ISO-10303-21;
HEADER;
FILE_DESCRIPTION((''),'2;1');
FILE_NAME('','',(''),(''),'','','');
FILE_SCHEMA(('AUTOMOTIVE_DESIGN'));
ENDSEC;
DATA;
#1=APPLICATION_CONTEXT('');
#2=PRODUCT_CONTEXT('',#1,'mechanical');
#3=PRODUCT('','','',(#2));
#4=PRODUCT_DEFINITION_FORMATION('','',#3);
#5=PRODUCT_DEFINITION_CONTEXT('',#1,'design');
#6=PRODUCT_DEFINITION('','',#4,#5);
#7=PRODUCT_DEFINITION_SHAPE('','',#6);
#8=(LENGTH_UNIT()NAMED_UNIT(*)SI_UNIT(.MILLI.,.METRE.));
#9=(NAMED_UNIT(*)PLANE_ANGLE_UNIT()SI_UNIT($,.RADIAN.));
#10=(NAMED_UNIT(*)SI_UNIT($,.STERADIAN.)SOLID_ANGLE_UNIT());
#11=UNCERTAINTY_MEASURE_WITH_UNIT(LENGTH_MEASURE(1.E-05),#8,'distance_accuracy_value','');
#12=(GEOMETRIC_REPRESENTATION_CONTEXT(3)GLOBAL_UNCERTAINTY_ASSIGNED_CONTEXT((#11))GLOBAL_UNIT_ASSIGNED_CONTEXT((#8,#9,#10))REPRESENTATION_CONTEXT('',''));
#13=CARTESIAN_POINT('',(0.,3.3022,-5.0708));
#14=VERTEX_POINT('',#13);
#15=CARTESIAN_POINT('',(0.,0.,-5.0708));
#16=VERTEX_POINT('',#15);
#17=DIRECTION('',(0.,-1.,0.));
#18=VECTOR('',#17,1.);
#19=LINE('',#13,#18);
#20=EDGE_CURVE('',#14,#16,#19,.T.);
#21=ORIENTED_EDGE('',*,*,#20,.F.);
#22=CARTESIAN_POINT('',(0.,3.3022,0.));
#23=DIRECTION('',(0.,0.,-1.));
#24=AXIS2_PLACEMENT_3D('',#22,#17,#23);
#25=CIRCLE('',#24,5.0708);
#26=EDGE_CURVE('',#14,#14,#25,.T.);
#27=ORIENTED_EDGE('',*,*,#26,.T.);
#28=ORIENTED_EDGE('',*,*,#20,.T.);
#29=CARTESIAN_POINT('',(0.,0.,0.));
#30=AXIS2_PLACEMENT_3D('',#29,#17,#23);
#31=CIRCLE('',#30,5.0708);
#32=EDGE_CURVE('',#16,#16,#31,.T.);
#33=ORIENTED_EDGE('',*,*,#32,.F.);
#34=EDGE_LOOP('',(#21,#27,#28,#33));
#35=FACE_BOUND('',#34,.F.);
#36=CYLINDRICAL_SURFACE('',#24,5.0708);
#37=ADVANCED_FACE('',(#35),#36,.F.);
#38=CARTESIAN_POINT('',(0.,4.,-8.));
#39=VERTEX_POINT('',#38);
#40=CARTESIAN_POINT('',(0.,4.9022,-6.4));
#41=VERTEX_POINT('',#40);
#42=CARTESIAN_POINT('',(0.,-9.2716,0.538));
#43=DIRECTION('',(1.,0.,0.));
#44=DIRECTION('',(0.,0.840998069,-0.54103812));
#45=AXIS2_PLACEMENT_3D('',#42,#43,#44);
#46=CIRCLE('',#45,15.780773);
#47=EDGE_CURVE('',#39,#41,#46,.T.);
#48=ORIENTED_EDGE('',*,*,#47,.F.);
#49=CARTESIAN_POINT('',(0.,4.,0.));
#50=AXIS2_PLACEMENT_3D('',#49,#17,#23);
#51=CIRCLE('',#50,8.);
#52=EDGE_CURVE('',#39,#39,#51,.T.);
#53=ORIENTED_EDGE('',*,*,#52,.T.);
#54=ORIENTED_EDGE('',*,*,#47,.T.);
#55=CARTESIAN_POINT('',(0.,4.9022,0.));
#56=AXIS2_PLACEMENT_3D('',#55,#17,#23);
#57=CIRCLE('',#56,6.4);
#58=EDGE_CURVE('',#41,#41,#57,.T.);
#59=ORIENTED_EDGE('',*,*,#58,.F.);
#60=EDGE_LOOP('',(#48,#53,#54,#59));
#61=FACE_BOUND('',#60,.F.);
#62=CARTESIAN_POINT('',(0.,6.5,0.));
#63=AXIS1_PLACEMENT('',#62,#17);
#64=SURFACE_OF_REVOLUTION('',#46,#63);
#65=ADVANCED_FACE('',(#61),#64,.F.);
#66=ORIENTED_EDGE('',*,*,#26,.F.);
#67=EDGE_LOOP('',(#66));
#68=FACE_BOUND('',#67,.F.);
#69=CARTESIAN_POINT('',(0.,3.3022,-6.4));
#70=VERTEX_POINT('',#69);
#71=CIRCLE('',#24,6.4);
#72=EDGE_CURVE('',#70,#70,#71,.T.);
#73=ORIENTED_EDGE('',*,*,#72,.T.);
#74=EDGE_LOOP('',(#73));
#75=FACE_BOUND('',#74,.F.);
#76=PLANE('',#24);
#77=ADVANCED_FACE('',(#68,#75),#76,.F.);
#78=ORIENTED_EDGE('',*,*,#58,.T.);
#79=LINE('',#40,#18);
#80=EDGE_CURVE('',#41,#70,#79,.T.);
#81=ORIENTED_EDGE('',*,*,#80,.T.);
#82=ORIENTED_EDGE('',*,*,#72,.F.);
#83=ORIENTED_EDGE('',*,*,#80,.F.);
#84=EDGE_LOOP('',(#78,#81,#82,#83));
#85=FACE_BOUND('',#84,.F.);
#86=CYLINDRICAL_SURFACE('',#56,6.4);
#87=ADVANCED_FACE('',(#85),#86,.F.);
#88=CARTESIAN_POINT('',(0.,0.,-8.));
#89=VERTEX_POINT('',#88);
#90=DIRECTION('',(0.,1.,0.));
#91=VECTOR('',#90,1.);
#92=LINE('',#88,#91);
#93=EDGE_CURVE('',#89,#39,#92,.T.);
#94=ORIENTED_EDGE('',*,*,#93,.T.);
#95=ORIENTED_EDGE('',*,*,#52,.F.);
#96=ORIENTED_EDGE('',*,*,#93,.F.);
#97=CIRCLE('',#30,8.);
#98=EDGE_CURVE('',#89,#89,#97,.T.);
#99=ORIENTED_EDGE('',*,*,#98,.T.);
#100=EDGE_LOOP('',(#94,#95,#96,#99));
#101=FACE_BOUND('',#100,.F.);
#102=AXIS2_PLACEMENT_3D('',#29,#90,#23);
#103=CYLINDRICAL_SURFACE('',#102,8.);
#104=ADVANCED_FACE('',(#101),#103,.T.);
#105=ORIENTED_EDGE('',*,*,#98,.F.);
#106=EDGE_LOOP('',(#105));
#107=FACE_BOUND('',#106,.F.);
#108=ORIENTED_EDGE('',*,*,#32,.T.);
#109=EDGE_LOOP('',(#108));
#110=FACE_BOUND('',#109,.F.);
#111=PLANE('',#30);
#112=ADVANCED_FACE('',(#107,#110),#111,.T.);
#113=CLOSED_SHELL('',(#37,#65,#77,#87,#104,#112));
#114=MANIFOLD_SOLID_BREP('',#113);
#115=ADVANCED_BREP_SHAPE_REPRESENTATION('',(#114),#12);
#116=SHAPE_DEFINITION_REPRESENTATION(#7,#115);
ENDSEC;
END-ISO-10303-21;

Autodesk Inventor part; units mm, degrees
ref_plane "YZ Plane" through (0, 0, 0) normal (1, 0, 0) x (0, 1, 0)
ref_plane "XZ Plane" through (0, 0, 0) normal (0, 1, 0) x (-1, 0, 0)
ref_plane "XY Plane" through (0, 0, 0) normal (0, 0, 1) x (1, 0, 0)
sketch "Sketch1" plane through (0, 0, 0) normal (1, 0, 0) x (0, 1, 0)
  line L0 (0, 0) -> (0, -8)
  line L1 (0, 0) -> (8, 0) construction
  line L2 (0, -8) -> (4, -8)
  arc A0 (4, -8) -> (6.5, 0) centre (-9.2716, 0.538) ccw
  line L3 (6.5, 0) -> (0, 0)
  line L4 (4.9022, -6.4) -> (3.3022, -6.4)
  line L5 (3.3022, -6.4) -> (3.3022, 0)
  line L6 (0, 0) -> (3.3022, 0)
  line L7 (3.3022, -5.0708) -> (0, -5.0708)
  dimension "d0" = 8
  dimension "d1" = 90
  dimension "d2" = 4
  dimension "d3" = 90
  dimension "d4" = 6.5
  dimension "d6" = 6.4
  dimension "d7" = 1.6
revolve "Revolution1" add sketch "Sketch1" angle 360 about axis through (0, 6.5, 0) along (0, -1, 0) contours L7 L5 L4 A0 L2 L0
properties part number "20_Beamexpander_Lens_Adapter"
